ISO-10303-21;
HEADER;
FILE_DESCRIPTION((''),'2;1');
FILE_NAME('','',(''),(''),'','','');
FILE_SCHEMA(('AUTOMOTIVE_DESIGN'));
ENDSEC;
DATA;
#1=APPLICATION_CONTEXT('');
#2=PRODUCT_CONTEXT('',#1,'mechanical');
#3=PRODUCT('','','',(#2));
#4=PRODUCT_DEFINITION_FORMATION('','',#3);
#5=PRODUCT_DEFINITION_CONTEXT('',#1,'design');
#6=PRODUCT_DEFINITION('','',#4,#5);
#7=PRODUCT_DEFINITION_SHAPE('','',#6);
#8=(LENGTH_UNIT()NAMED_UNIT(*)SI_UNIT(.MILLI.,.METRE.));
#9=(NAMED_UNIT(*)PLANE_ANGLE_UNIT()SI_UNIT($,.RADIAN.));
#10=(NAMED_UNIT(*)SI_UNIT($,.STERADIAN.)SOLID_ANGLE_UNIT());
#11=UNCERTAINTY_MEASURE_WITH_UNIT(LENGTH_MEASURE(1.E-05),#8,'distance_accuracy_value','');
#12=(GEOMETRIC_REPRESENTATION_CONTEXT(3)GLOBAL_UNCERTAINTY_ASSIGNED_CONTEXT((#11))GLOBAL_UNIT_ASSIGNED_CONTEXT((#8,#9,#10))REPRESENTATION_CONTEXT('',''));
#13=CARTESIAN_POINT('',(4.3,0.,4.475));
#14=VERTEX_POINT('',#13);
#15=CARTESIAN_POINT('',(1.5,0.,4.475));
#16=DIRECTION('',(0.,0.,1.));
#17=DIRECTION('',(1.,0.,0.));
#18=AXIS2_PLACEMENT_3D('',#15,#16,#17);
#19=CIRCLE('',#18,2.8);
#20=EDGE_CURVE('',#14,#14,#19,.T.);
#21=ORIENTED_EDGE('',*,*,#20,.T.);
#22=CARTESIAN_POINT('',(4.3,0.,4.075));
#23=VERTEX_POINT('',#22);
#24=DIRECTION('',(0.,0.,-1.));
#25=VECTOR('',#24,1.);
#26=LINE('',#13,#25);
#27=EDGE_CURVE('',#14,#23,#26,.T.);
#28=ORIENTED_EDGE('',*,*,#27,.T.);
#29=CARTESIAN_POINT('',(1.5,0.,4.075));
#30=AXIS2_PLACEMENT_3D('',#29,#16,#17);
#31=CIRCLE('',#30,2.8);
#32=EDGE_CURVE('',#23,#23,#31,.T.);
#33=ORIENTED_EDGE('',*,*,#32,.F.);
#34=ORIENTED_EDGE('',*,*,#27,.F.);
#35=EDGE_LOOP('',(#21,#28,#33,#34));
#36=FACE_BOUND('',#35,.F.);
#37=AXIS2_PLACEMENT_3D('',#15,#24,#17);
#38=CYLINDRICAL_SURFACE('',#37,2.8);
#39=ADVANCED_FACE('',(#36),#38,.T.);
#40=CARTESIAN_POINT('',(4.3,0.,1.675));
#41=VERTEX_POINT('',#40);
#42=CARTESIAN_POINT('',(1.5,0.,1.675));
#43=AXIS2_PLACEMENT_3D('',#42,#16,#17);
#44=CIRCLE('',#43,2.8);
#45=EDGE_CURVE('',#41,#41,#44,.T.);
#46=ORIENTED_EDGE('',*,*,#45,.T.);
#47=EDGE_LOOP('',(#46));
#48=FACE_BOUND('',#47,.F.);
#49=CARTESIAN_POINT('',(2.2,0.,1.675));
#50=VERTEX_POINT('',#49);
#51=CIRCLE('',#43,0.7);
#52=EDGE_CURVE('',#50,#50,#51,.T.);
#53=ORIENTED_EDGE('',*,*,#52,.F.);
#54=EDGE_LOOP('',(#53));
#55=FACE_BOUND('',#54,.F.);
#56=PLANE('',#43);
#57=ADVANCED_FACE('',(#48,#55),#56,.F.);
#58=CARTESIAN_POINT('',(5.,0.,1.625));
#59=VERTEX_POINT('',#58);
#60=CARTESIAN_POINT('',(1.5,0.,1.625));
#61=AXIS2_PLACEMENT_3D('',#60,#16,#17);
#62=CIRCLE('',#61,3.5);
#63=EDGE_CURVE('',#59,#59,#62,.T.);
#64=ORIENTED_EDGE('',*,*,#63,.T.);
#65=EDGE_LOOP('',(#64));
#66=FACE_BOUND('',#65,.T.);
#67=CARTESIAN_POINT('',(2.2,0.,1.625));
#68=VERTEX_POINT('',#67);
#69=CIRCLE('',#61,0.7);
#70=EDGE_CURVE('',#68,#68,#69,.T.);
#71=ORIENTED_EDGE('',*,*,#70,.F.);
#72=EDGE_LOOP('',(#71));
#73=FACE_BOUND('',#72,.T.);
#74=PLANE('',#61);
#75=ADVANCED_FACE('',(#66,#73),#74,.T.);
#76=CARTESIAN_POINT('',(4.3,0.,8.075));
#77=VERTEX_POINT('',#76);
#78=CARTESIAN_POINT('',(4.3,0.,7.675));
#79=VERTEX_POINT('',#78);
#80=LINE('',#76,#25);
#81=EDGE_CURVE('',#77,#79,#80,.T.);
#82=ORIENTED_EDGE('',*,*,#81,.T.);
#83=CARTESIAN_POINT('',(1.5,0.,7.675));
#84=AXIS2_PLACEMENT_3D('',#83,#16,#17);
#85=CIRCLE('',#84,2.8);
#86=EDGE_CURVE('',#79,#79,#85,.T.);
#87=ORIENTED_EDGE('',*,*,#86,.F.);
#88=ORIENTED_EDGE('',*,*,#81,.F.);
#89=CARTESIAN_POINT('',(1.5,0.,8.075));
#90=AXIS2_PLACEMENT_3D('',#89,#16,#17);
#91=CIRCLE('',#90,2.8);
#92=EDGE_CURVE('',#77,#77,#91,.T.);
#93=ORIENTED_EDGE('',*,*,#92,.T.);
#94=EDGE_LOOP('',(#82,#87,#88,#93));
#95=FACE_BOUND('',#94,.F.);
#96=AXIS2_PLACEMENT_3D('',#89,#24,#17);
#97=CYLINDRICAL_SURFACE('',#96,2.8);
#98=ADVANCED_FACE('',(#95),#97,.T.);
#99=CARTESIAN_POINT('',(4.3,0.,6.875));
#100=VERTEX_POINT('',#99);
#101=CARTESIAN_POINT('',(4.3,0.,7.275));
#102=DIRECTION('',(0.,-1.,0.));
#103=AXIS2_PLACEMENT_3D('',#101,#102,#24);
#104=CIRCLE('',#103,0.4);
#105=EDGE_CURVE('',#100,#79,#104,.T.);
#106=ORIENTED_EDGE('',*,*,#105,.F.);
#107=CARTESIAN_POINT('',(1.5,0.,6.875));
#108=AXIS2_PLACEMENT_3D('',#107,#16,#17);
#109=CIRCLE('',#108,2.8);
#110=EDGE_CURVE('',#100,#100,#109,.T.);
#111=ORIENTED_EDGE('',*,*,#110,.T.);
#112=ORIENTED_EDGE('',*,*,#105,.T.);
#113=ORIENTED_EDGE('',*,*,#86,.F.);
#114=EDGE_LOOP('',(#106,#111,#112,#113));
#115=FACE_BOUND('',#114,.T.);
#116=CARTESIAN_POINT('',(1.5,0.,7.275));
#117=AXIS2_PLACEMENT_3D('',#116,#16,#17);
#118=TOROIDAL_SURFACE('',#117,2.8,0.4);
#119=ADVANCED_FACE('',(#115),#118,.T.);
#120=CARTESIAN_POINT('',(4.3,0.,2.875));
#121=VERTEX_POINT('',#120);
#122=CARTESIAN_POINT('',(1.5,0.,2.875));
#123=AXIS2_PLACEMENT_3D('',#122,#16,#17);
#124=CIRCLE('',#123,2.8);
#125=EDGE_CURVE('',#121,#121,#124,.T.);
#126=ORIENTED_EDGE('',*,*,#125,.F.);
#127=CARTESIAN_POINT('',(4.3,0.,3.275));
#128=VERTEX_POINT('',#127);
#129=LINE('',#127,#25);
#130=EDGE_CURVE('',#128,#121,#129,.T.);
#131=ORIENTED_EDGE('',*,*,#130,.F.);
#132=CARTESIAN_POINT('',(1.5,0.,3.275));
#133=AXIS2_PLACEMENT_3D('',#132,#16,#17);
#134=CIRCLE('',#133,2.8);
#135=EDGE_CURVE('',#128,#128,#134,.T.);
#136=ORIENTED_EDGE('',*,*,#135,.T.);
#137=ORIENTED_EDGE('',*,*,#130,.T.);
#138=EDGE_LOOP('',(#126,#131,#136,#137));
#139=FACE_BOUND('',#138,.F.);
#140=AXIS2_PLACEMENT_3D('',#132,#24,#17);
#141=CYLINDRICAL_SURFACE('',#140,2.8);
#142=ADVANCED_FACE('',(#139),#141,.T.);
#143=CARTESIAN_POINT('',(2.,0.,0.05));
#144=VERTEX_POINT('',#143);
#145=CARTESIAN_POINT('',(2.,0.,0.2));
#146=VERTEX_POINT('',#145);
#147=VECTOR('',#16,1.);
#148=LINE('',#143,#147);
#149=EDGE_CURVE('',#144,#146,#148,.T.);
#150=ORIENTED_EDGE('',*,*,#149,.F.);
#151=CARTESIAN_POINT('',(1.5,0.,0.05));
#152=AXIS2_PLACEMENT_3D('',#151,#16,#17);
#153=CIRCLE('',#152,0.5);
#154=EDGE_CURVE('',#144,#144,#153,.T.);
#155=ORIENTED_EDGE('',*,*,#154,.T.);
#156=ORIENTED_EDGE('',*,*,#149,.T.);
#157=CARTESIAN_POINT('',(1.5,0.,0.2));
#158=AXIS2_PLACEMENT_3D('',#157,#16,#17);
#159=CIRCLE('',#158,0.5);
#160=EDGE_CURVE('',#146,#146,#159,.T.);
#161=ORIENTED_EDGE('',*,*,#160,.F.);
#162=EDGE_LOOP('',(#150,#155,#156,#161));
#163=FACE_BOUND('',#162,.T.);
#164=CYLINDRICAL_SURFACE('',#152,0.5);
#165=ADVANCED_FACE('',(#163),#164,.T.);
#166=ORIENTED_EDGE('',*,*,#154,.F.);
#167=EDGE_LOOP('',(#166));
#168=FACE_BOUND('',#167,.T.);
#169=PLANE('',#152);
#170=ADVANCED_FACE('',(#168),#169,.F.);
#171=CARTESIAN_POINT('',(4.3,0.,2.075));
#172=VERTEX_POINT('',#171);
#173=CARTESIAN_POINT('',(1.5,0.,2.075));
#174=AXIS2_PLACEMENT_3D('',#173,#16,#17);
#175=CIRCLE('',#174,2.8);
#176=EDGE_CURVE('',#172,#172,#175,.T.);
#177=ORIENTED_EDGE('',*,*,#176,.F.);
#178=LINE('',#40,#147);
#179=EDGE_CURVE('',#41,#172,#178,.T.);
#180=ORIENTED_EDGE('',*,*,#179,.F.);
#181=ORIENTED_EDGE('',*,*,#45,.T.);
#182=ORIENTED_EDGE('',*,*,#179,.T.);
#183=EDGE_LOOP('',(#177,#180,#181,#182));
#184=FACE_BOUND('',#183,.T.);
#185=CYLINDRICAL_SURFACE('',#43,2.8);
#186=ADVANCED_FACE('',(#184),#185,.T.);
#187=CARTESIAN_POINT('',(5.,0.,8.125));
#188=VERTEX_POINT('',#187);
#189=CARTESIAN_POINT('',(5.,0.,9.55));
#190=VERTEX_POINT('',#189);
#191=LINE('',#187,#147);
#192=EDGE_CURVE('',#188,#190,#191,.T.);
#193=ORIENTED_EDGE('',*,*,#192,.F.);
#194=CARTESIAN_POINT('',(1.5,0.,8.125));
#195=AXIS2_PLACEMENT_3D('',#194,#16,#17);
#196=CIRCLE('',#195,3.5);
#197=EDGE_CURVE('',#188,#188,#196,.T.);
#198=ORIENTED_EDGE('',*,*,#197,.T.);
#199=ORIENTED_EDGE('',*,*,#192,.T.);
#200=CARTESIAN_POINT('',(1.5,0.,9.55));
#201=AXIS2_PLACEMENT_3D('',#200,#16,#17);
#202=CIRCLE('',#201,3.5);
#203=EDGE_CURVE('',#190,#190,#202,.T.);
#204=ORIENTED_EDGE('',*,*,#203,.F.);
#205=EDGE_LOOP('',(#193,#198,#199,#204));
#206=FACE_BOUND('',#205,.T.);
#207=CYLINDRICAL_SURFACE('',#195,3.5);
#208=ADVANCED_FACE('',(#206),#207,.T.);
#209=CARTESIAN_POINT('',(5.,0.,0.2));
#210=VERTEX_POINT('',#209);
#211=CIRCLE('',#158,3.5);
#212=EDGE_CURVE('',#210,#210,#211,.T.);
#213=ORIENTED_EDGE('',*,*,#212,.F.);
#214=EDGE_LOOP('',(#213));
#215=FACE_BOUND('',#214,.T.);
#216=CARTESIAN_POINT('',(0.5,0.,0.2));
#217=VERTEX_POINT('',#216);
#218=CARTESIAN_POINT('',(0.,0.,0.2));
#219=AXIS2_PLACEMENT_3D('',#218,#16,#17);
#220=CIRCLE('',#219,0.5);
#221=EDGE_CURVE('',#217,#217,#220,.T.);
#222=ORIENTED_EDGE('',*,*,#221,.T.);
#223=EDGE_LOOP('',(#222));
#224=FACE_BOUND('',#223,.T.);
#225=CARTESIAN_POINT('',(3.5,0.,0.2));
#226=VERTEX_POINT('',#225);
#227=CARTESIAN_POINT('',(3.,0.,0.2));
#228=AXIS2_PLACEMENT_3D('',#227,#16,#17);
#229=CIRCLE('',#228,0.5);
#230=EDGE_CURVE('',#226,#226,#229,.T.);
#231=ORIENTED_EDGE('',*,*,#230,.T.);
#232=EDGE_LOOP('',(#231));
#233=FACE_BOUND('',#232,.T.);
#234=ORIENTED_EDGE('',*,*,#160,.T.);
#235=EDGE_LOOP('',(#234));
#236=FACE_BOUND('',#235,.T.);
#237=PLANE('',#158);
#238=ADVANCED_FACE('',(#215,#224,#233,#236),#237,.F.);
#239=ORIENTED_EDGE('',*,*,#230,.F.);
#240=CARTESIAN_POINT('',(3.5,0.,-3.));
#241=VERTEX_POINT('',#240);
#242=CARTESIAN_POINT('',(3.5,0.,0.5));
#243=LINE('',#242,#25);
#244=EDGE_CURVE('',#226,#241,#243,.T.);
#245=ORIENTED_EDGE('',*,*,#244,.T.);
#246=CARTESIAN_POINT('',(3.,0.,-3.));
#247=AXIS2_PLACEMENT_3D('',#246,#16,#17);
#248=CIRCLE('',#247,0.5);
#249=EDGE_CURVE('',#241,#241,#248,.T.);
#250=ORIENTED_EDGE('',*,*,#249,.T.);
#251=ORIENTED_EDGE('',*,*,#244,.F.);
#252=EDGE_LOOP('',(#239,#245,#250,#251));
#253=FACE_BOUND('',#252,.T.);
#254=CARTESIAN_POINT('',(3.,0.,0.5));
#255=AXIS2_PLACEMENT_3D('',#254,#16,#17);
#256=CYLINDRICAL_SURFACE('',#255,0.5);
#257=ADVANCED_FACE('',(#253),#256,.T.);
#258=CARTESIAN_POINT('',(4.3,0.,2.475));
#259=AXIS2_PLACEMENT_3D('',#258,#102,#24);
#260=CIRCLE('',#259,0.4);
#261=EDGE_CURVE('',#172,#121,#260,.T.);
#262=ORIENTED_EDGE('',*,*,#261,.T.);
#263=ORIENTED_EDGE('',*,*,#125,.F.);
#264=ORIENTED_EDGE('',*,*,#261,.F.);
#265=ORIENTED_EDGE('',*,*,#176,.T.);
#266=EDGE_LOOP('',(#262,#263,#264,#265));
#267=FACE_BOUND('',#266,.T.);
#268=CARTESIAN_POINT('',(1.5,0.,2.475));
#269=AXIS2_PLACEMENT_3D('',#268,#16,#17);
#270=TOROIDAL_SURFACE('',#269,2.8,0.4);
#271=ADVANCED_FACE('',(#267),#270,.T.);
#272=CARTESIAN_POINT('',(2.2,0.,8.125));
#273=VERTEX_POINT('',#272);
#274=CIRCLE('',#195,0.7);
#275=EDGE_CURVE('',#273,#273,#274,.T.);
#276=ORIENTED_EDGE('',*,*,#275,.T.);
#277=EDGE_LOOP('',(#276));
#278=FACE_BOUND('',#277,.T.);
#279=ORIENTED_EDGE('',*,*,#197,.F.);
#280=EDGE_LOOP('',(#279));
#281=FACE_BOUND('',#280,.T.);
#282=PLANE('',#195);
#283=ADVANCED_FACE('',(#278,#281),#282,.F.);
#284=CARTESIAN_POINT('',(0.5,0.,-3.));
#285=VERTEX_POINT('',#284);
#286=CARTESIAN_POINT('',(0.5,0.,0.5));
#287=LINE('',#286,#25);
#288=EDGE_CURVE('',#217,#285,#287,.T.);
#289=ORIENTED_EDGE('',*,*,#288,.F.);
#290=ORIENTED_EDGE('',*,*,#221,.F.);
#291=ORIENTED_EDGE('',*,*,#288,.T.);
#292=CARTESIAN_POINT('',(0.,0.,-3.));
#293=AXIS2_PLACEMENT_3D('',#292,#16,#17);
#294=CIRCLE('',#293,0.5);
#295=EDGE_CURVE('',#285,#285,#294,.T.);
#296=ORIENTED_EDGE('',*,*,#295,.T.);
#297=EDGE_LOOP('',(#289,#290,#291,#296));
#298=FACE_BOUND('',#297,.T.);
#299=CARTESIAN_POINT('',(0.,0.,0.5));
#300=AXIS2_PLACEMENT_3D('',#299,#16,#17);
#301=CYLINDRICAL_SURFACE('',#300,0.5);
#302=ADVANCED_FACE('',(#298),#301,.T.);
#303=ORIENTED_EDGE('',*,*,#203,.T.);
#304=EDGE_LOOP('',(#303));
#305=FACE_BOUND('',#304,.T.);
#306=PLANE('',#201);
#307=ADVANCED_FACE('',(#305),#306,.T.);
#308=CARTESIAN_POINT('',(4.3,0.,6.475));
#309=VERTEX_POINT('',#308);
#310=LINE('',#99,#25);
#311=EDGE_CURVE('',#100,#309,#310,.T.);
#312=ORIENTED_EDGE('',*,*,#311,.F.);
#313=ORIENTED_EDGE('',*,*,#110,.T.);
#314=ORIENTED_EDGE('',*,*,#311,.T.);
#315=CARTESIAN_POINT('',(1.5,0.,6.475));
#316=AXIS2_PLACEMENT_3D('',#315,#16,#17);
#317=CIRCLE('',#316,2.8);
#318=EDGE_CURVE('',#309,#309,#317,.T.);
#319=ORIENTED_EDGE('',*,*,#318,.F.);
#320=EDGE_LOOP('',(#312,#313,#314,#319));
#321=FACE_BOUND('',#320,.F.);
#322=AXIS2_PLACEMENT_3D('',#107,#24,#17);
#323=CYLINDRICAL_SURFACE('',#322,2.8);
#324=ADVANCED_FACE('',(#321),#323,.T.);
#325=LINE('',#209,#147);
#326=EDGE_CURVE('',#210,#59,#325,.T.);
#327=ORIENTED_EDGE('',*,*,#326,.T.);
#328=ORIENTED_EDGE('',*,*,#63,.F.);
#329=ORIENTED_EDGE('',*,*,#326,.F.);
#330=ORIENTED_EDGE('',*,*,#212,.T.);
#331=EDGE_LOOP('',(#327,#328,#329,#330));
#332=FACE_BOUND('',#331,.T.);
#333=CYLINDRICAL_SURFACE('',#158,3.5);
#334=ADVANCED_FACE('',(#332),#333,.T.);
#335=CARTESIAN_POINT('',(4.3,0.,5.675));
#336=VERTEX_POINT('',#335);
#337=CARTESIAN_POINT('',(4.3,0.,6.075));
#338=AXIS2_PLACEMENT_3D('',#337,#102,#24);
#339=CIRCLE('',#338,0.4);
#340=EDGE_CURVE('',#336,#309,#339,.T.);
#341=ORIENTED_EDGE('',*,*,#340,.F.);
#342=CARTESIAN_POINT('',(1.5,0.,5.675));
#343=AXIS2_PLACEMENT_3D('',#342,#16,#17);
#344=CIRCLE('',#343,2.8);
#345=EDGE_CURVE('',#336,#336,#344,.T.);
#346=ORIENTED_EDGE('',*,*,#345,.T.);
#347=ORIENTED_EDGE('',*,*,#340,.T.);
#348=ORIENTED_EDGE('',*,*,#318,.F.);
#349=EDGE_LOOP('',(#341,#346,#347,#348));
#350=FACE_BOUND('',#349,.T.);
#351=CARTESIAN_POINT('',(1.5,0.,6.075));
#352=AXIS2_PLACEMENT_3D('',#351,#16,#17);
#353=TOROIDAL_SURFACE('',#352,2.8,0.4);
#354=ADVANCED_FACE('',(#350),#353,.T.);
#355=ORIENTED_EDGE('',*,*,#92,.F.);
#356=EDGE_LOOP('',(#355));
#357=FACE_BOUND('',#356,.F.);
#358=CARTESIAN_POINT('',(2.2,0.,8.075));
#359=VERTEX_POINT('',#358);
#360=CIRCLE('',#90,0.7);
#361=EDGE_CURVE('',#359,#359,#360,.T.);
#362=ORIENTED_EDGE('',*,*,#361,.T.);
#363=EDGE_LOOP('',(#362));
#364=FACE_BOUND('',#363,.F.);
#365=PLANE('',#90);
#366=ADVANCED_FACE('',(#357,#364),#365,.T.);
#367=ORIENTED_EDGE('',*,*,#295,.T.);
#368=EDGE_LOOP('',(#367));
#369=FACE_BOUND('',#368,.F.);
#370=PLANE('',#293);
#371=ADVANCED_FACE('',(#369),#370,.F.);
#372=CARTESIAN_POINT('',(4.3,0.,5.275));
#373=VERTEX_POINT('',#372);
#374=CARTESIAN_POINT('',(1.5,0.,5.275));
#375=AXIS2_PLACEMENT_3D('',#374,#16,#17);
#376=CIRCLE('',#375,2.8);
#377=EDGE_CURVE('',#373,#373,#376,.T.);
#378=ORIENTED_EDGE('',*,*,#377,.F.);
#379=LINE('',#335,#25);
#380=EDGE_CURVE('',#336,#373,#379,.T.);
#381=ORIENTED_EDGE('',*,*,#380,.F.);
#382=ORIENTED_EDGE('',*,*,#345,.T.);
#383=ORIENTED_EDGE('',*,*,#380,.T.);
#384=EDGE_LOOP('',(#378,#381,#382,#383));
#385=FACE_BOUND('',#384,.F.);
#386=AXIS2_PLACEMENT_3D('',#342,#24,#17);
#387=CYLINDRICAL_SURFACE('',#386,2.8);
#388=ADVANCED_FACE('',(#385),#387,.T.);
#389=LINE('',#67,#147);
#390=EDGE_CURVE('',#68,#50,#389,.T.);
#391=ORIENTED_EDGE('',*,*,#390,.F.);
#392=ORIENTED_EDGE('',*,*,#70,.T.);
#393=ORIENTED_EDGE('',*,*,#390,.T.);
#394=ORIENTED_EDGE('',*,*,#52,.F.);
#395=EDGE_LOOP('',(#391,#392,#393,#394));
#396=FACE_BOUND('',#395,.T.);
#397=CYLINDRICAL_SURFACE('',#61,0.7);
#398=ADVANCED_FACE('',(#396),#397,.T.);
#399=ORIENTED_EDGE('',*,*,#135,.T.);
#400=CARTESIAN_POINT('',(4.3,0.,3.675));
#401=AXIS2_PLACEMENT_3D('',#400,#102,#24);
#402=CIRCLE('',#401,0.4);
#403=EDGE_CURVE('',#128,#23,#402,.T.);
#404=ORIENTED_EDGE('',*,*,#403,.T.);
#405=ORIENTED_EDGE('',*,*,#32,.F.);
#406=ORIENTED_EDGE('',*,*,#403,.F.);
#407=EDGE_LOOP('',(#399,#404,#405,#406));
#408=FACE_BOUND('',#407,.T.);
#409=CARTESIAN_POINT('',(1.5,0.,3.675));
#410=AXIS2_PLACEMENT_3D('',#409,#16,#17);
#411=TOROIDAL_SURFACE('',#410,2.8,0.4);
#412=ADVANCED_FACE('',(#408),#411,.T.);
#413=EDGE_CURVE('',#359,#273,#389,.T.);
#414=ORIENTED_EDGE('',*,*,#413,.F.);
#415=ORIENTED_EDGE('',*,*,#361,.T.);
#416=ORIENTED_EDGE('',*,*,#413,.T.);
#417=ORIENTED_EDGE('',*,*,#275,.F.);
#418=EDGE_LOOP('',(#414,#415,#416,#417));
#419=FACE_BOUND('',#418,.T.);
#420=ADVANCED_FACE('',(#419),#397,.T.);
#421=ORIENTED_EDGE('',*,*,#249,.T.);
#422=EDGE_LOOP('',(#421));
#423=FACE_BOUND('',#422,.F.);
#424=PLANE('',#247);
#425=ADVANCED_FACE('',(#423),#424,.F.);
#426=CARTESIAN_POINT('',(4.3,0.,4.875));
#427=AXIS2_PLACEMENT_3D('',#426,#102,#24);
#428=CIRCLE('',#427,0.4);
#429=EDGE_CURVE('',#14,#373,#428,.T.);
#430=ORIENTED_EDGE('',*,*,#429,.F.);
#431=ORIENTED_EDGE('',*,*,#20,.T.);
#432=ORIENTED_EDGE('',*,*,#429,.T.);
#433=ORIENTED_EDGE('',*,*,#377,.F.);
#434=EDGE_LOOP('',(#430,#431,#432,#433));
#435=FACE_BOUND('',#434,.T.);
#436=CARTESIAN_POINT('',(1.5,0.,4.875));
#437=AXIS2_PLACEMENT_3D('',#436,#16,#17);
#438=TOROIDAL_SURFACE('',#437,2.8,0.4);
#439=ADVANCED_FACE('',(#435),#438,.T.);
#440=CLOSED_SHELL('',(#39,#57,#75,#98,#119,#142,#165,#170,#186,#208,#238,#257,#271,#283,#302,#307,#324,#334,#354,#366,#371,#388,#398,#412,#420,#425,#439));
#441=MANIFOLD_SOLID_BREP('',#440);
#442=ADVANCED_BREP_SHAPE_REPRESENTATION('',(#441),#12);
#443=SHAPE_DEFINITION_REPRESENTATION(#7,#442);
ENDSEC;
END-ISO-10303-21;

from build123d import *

# Parameters (mm, degrees)
SKETCH001_R  = 0.5
PAD001_DEPTH = 3.5


with BuildPart() as revolution:
    # Sketch → Revolution (revolve)
    with BuildSketch(Plane(origin=(1.5, 0, 0), x_dir=(1, 0, 0), z_dir=(0, -1, 0))):
        Polygon((0, 0.05), (0.5, 0.05), (0.5, 0.2), (3.5, 0.2), (3.5, 1.625), (0.7, 1.625), (0.7, 8.125), (3.5, 8.125), (3.5, 9.55), (0, 9.55), align=None)
    revolve(axis=Axis((1.5, 0, 0), (0, 0, 1)))


with BuildPart() as pad001:
    # Sketch001 → Pad001 (new body)
    with BuildSketch(Plane.XY.offset(0.5)):
        Circle(SKETCH001_R)
        with Locations((3, 0)):
            Circle(SKETCH001_R)
    extrude(amount=-PAD001_DEPTH)


with BuildPart() as l_radial_d7_0mm_p3_00mm:
    # Sketch002 → Revolution001 (revolve)
    with BuildSketch(Plane(origin=(1.5, 0, 0), x_dir=(1, 0, 0), z_dir=(0, -1, 0))):
        with BuildLine():
            Line((2.8, 1.675), (0.7, 1.675))
            Line((0.7, 1.675), (0.7, 8.075))
            Line((0.7, 8.075), (2.8, 8.075))
            Line((2.8, 8.075), (2.8, 7.675))
            ThreePointArc((2.8, 6.875), (3.2, 7.275), (2.8, 7.675))
            Line((2.8, 6.875), (2.8, 6.475))
            ThreePointArc((2.8, 5.675), (3.2, 6.075), (2.8, 6.475))
            Line((2.8, 5.675), (2.8, 5.275))
            ThreePointArc((2.8, 4.475), (3.2, 4.875), (2.8, 5.275))
            Line((2.8, 4.475), (2.8, 4.075))
            ThreePointArc((2.8, 3.275), (3.2, 3.675), (2.8, 4.075))
            Line((2.8, 3.275), (2.8, 2.875))
            ThreePointArc((2.8, 2.075), (3.2, 2.475), (2.8, 2.875))
            Line((2.8, 1.675), (2.8, 2.075))
        make_face()
    revolve(axis=Axis((1.5, 0, 0), (0, 0, 1)))

    # Revolution001_mp_cp: union Revolution, Pad001
    add(revolution.part)
    add(pad001.part)


solid = l_radial_d7_0mm_p3_00mm.part
